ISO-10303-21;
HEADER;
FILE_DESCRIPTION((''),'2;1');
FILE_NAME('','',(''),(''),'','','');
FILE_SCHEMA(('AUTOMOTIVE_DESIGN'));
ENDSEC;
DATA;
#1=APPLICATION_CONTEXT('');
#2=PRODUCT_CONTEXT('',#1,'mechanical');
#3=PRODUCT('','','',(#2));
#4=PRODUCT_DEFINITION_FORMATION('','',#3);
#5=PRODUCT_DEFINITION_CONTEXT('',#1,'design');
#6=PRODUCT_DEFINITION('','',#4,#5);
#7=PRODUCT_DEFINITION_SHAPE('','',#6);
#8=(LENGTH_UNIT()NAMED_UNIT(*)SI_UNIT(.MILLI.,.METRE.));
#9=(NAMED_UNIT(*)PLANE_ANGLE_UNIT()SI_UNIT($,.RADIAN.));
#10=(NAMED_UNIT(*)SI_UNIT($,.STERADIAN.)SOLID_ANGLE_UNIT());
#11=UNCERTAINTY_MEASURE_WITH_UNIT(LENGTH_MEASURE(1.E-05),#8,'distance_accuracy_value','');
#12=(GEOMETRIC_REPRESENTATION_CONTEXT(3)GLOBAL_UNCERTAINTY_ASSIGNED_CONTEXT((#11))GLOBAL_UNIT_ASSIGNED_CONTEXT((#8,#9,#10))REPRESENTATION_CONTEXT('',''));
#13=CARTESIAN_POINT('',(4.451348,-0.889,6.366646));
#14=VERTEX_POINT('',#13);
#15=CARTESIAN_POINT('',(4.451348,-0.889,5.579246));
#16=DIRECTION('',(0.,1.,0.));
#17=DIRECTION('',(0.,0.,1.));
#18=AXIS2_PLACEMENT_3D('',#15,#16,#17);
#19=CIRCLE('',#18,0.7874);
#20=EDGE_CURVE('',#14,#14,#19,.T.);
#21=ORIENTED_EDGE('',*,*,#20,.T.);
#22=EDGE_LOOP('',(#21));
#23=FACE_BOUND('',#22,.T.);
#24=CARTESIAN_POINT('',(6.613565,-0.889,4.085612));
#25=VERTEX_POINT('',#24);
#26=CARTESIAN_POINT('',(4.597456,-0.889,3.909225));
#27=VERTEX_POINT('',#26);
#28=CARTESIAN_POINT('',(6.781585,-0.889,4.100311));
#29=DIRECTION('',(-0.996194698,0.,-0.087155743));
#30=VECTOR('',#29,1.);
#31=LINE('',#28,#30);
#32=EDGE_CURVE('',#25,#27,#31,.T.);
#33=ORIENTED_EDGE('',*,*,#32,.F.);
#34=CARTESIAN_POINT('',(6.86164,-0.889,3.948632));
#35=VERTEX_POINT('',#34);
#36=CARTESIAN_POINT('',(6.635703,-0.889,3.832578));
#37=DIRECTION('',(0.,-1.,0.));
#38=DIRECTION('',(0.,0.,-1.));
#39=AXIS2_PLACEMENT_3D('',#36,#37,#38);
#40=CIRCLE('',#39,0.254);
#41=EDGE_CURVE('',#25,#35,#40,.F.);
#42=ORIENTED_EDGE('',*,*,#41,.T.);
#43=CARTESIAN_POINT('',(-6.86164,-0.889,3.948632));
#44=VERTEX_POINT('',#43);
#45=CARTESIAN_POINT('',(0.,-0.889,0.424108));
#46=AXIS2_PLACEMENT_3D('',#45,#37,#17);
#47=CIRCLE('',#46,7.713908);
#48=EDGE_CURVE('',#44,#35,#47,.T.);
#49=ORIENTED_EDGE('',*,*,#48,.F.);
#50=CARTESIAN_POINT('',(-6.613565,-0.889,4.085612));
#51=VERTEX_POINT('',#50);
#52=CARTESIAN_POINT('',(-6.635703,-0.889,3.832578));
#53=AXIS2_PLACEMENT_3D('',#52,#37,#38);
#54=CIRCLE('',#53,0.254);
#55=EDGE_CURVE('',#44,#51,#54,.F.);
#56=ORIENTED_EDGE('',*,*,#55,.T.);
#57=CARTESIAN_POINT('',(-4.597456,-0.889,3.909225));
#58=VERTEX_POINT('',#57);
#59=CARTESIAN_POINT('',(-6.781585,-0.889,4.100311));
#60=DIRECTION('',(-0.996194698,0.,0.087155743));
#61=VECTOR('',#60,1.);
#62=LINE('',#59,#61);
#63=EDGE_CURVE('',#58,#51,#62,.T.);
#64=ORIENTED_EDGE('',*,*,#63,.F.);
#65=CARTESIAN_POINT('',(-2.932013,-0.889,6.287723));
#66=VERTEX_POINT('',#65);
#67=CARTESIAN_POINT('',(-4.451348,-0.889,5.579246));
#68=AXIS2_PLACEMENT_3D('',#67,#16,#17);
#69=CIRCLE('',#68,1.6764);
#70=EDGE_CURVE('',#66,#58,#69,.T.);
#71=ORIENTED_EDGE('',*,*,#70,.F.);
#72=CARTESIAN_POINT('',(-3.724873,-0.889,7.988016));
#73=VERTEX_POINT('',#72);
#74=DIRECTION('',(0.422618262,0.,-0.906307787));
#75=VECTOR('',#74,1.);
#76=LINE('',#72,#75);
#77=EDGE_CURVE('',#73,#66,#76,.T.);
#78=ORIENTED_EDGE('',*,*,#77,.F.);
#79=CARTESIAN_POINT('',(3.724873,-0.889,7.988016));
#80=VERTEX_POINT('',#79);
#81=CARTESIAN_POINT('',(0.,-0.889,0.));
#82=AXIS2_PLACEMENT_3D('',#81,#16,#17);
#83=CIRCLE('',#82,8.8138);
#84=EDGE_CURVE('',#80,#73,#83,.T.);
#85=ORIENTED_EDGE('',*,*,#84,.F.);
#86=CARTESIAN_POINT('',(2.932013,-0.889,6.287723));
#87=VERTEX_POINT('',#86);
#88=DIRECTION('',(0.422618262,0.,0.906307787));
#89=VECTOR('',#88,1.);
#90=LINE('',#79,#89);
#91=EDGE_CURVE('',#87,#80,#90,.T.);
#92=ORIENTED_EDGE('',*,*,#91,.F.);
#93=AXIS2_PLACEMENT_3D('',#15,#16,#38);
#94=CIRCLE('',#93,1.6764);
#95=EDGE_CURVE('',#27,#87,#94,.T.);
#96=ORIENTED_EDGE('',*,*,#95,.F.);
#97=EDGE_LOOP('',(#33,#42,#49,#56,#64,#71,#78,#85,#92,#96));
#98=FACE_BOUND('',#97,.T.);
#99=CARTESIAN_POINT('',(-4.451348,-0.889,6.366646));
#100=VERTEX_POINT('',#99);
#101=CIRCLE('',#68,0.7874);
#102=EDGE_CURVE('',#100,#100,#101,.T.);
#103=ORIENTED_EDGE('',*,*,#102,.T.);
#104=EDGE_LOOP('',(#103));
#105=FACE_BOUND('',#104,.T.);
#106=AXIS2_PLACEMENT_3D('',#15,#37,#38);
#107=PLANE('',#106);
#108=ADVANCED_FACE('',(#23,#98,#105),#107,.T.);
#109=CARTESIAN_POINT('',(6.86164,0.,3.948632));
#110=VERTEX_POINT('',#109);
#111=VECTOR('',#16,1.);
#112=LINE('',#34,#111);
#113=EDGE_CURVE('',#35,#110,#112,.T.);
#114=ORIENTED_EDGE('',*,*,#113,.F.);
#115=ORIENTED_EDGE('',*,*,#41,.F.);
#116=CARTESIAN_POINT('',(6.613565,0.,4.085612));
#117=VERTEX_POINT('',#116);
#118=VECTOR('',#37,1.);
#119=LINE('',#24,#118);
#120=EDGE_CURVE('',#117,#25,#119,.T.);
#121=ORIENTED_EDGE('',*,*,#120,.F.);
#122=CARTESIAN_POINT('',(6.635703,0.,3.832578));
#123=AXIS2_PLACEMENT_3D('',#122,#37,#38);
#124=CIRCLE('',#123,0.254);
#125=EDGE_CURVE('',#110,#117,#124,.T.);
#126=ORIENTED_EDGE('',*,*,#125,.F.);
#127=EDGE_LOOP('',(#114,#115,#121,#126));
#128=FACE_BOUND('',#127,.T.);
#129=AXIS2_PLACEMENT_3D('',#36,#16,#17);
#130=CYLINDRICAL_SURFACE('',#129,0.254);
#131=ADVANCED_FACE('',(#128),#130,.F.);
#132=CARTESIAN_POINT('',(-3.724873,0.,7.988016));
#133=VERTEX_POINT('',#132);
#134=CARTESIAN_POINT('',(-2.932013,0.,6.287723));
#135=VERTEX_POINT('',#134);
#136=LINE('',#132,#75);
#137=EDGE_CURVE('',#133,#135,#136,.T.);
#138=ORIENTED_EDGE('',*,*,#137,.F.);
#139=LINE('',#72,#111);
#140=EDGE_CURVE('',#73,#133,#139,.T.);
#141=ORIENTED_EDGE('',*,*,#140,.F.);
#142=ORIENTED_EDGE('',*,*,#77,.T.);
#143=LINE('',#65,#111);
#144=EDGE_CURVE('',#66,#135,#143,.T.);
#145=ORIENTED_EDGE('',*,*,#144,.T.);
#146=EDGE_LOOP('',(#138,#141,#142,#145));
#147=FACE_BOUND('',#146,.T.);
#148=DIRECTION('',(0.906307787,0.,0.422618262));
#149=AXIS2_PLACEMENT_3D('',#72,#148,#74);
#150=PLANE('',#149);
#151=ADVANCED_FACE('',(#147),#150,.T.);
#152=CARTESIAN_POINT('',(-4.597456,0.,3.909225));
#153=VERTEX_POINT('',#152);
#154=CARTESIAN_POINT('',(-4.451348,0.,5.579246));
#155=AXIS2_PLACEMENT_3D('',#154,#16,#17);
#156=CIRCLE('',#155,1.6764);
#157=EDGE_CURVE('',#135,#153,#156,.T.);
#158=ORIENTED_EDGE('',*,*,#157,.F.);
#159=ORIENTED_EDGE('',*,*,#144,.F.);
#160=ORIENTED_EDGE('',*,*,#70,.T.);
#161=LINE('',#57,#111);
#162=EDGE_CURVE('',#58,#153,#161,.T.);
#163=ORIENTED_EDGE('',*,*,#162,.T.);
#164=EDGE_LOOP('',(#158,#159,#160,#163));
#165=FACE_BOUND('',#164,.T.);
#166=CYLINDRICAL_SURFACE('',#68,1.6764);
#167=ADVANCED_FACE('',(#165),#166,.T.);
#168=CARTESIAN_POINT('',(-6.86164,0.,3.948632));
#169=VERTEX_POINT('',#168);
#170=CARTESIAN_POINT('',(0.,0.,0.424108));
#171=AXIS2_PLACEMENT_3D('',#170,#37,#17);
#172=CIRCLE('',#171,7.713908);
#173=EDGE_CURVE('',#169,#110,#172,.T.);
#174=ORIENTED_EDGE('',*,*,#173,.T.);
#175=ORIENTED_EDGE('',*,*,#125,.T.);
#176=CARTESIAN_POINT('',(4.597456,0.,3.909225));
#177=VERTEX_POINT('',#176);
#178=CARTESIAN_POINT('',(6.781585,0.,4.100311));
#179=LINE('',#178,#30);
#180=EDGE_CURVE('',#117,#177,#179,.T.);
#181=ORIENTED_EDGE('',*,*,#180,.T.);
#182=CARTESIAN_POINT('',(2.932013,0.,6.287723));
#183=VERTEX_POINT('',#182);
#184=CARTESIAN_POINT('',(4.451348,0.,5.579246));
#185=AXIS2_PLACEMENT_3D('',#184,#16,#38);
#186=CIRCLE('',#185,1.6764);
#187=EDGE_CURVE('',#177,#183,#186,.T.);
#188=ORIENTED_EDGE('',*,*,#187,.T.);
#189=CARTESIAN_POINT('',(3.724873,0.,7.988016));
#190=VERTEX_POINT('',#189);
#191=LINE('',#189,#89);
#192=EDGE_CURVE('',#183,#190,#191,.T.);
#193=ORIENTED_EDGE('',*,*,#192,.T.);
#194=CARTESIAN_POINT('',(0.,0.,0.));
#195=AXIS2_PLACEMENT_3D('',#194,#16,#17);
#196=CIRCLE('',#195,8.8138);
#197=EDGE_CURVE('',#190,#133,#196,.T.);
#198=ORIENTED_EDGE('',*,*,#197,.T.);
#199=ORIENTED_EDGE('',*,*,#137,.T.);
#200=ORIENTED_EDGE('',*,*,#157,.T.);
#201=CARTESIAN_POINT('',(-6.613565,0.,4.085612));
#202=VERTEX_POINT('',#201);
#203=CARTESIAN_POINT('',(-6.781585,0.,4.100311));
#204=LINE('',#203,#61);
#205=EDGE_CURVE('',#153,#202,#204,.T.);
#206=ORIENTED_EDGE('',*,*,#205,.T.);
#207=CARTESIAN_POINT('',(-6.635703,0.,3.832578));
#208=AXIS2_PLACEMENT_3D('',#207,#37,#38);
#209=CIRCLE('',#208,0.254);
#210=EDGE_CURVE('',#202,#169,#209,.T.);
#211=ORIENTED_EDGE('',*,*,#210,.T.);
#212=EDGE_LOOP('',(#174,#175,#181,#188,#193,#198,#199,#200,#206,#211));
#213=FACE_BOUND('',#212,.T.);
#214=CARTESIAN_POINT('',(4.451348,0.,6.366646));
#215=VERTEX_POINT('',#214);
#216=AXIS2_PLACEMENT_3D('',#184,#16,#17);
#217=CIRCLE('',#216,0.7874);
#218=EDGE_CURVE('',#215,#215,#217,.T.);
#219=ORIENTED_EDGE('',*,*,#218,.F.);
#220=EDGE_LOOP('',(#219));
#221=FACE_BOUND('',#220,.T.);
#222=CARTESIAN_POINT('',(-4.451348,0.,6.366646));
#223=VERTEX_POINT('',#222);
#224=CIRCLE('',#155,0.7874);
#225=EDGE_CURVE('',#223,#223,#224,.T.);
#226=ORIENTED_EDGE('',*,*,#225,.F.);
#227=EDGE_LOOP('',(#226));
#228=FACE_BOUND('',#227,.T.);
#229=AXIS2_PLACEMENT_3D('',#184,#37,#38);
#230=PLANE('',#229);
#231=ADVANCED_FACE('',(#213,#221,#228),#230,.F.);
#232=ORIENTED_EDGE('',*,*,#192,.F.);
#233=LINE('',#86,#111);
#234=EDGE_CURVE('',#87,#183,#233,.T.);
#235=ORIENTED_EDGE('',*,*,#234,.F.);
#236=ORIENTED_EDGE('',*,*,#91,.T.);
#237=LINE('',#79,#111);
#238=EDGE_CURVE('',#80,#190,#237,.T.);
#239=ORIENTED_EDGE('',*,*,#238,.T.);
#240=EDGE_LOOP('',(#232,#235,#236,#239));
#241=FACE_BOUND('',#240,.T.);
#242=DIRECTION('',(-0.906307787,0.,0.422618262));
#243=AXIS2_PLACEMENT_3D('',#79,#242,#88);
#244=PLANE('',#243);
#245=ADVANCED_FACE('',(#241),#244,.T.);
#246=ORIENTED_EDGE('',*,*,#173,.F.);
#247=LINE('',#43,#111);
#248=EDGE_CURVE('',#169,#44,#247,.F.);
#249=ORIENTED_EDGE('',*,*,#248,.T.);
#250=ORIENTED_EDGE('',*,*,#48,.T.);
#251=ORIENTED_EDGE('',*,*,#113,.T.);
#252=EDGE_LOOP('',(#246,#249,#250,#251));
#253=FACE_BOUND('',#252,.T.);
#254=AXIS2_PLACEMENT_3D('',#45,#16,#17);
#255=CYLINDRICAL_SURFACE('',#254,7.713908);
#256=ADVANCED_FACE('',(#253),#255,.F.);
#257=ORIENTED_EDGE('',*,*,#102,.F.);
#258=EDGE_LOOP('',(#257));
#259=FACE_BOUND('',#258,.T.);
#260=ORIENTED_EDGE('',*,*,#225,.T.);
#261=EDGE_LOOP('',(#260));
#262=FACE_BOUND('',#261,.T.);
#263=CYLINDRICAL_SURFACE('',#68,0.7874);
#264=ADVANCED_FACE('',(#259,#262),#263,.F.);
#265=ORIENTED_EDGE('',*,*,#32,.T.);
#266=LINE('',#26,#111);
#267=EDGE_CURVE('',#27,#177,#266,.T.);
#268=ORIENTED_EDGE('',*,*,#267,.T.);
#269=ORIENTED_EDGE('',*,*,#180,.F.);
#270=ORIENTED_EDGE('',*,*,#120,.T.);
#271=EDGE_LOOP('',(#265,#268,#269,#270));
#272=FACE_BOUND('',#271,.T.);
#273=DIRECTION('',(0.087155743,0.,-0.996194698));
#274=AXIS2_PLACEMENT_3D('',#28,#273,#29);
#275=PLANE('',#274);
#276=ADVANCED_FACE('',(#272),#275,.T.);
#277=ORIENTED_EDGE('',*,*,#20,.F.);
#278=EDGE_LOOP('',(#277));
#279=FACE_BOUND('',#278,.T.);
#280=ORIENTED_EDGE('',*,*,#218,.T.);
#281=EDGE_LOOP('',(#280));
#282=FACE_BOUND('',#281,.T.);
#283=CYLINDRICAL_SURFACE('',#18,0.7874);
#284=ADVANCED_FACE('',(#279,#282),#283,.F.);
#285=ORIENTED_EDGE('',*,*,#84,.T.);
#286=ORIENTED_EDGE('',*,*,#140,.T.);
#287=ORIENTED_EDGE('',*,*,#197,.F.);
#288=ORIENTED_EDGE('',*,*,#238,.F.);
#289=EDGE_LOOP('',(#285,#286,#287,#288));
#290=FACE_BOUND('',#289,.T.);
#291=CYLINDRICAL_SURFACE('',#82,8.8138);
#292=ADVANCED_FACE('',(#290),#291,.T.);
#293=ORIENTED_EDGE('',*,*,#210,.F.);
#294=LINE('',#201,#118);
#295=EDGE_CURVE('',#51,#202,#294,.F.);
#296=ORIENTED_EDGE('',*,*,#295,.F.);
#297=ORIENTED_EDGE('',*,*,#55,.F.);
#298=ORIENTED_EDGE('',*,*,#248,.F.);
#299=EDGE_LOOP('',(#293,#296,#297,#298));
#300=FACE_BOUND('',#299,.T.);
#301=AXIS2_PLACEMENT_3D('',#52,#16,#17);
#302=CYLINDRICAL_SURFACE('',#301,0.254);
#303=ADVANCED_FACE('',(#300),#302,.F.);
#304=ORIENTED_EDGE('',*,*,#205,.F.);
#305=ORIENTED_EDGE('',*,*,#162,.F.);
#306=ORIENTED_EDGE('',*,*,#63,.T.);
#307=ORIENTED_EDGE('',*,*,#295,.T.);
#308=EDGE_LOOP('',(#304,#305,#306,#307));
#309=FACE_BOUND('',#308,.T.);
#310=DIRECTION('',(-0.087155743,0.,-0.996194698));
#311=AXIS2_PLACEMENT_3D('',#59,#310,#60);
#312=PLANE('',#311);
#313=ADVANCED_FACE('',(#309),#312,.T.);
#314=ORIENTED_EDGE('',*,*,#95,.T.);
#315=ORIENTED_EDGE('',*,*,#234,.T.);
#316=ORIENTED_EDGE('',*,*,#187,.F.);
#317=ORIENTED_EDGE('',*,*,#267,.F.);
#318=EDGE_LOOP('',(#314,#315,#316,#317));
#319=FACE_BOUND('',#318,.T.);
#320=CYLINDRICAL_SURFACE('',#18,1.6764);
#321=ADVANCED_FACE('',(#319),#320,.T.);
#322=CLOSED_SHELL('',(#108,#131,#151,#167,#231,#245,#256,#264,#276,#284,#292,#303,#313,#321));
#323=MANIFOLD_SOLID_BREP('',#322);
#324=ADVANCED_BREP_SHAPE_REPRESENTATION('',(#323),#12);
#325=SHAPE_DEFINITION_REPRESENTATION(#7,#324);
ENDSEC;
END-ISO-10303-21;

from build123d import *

# Parameters (mm, degrees)
SKETCH2_R      = 0.7874
EXTRUDE1_DEPTH = 0.889
FILLET1_R      = 0.254


with BuildPart() as part:
    # Sketch2 → Extrude1 (new body)
    with BuildSketch(Plane(origin=(0, 0, 0), x_dir=(1, 0, 0), z_dir=(0, 1, 0))):
        with BuildLine():
            Line((3.724872835, -7.988015573), (2.93201335, -6.28772292))
            ThreePointArc((2.93201335, -6.28772292), (3.078121237, -4.617702128), (4.597455611, -3.909224874))
            Line((4.597455611, -3.909224874), (6.781585425, -4.100311472))
            ThreePointArc((6.781585425, -4.100311472), (0, 7.2898), (-6.781585425, -4.100311472))
            Line((-6.781585425, -4.100311472), (-4.597455611, -3.909224874))
            ThreePointArc((-4.597455611, -3.909224874), (-3.078121237, -4.617702128), (-2.93201335, -6.28772292))
            Line((-2.93201335, -6.28772292), (-3.724872835, -7.988015573))
            ThreePointArc((-3.724872835, -7.988015573), (0, 8.8138), (3.724872835, -7.988015573))
        make_face()
        with Locations((4.451347724, -5.579245666)):
            Circle(SKETCH2_R, mode=Mode.SUBTRACT)
        with Locations((-4.451347724, -5.579245666)):
            Circle(SKETCH2_R, mode=Mode.SUBTRACT)
    extrude(amount=-EXTRUDE1_DEPTH)

    # Fillet1
    fillet1_edges = [part.edges().sort_by_distance(p)[0] for p in [
        (6.781585425, -0.4445, 4.100311472),
        (-6.781585425, -0.4445, 4.100311472),
    ]]
    fillet(fillet1_edges, radius=FILLET1_R)


solid = part.part
